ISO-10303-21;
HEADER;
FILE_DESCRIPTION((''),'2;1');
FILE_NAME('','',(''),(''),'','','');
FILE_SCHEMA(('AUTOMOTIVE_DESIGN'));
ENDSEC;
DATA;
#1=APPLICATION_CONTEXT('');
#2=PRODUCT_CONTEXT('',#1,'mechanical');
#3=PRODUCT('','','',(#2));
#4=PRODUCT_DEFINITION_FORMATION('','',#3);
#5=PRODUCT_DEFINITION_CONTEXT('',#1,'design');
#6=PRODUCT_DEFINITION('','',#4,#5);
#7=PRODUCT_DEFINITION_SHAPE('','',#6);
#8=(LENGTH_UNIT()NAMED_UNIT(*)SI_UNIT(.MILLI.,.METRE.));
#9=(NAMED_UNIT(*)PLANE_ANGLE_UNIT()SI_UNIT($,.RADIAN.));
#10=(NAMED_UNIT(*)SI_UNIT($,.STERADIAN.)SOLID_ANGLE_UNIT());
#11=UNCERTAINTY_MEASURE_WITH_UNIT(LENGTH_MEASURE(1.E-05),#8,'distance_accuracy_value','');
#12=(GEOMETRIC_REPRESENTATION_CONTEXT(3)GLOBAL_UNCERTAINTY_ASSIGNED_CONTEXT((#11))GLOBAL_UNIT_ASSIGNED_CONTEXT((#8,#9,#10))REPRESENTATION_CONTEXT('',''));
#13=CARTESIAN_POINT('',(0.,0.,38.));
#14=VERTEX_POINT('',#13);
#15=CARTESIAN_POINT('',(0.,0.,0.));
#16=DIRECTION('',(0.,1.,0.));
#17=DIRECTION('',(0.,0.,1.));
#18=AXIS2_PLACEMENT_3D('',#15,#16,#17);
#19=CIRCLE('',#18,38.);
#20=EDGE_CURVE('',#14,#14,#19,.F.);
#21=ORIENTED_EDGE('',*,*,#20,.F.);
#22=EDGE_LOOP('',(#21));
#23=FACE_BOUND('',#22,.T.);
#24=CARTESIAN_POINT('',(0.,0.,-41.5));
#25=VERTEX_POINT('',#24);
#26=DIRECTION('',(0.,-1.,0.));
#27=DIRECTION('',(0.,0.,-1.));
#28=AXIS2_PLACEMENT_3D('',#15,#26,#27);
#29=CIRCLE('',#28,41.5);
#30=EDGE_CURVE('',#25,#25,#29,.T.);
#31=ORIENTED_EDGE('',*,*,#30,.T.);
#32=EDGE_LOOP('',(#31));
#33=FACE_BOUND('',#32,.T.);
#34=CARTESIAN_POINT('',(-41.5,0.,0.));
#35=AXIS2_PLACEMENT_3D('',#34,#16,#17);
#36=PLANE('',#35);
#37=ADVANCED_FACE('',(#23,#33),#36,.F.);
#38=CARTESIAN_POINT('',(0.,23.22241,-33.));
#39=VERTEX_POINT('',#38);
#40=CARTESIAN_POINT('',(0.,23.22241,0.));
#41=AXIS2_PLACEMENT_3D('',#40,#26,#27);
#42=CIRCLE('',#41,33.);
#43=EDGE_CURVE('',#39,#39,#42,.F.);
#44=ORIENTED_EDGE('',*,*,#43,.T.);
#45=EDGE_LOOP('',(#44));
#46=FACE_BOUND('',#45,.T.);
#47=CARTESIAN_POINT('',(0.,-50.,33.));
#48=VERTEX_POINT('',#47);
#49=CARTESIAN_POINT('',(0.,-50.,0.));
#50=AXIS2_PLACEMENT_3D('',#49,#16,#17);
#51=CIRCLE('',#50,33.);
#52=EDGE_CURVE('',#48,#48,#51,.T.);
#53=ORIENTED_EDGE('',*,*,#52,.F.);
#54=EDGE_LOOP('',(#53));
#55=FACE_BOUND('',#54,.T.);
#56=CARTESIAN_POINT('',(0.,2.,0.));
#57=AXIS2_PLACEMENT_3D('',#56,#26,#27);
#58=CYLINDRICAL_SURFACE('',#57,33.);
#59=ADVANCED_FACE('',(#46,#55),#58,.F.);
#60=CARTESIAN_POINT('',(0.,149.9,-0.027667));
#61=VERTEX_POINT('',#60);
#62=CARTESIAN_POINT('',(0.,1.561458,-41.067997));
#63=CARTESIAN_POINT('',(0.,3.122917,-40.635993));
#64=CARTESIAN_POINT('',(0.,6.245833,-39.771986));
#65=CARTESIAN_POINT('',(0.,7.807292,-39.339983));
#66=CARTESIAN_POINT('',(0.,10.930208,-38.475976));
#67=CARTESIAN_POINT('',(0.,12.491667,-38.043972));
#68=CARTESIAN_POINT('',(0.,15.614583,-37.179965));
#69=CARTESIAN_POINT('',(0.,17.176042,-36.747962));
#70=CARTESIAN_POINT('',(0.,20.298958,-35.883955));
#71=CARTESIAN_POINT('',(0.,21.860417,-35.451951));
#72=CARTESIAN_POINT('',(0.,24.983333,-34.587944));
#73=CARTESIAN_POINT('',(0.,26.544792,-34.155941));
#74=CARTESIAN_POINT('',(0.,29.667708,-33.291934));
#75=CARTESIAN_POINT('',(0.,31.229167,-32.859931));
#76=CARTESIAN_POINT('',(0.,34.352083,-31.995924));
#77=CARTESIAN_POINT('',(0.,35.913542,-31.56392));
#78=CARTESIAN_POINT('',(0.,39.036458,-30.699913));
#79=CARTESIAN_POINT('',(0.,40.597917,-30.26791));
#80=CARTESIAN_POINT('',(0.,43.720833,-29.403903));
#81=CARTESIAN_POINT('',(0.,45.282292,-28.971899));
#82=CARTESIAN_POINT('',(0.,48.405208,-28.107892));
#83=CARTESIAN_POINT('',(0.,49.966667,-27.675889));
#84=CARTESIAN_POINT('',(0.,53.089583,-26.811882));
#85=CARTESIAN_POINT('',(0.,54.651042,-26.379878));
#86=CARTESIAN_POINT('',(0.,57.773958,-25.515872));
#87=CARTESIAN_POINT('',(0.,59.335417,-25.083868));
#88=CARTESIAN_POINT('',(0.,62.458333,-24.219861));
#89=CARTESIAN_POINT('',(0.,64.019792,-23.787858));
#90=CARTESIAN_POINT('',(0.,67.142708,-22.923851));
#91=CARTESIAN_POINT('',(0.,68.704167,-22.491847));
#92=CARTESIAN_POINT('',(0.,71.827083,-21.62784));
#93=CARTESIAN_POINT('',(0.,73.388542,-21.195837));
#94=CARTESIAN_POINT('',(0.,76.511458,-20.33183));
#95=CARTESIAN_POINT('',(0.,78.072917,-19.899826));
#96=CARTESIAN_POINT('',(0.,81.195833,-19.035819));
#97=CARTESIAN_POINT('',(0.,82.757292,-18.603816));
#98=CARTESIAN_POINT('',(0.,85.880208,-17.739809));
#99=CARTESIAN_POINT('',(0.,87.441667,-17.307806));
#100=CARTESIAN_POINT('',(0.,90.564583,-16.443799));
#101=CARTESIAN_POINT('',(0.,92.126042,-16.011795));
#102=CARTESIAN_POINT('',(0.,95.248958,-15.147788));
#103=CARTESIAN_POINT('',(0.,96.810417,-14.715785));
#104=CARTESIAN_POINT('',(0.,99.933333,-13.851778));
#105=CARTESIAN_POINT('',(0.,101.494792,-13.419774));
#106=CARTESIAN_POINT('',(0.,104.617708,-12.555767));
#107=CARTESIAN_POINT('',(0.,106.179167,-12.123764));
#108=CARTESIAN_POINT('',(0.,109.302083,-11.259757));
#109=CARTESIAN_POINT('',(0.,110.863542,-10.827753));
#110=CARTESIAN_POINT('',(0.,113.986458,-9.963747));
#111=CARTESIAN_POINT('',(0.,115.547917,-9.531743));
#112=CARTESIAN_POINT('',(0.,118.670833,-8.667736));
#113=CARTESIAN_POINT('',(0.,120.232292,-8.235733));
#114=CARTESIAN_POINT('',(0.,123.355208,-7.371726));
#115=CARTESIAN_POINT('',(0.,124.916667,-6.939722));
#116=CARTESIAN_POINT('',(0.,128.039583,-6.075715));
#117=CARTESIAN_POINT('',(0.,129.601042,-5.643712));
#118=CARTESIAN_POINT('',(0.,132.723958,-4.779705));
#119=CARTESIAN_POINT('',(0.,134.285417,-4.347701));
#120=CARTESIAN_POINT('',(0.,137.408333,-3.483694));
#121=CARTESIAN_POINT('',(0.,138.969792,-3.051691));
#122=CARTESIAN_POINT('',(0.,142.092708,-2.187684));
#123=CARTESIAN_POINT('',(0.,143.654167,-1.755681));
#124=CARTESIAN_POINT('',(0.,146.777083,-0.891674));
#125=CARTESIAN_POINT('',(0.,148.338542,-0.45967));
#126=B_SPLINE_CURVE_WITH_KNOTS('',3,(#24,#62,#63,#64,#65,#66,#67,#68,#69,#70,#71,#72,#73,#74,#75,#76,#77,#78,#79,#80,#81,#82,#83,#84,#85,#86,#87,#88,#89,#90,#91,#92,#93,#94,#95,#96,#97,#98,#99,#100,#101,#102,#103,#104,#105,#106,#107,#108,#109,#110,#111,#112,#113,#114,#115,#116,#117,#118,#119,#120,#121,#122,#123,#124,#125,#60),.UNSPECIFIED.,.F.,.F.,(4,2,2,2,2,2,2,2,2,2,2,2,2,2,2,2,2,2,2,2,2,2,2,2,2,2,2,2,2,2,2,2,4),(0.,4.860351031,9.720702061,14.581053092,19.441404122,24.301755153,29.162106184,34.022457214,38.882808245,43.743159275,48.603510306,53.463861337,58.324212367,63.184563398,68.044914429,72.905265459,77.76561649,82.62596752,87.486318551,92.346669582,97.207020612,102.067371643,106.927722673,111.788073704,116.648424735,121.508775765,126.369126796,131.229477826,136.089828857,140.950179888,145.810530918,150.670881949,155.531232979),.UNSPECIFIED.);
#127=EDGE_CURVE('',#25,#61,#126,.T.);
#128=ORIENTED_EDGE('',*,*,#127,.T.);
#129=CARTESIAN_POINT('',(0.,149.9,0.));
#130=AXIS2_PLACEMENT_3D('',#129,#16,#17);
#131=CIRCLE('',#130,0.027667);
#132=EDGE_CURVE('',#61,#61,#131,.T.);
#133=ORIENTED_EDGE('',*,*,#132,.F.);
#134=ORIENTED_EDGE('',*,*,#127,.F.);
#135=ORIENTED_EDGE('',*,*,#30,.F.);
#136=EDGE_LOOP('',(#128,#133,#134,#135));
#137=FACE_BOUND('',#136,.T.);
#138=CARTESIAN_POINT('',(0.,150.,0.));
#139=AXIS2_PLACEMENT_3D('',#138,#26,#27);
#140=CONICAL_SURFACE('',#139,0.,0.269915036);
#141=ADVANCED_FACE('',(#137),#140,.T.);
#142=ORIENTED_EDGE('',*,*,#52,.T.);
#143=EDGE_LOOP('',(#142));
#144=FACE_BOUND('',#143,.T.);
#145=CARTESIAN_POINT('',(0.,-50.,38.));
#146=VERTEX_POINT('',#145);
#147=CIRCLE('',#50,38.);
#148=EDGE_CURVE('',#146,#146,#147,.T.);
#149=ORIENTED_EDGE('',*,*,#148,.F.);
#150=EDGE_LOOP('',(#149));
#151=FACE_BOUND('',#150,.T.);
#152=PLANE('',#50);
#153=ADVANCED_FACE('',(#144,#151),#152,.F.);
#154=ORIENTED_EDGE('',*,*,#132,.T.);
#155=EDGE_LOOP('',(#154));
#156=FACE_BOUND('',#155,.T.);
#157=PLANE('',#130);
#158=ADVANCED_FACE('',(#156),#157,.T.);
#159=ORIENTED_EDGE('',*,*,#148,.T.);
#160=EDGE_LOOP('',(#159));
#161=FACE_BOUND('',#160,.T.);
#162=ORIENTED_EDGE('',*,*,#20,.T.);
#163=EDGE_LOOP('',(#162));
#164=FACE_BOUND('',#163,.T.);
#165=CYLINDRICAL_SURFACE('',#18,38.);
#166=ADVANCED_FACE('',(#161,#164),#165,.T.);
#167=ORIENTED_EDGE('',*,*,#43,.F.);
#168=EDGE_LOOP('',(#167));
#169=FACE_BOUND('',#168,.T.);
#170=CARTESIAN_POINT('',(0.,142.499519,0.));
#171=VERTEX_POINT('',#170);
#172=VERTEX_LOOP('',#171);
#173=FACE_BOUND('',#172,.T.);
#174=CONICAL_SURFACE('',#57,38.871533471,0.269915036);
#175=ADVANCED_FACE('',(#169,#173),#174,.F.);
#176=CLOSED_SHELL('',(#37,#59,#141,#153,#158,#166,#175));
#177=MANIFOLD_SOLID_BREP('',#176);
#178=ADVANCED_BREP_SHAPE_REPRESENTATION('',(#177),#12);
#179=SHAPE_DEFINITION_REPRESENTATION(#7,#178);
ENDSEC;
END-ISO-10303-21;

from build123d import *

# Parameters (mm, degrees)
SKETCH4_W          = 50.332275622
SKETCH4_H          = 47.611612075
CUT_EXTRUDE1_DEPTH = 10


with BuildPart() as part:
    # Sketch1 → Revolve3 (revolve)
    with BuildSketch(Plane.XY, mode=Mode.PRIVATE) as revolve3_sk:
        Polygon((0, 150), (-41.5, 0), (-33, 0), (-33, 2), (-38.871533471, 2), (0, 142.499518572), align=None)
    revolve(revolve3_sk.sketch.rotate(Axis((0, 2, 0), (0, 1, 0)), 270), axis=Axis((0, 2, 0), (0, 1, 0)))

    # Sketch2 → Revolve6 (revolve)
    with BuildSketch(Plane.XY, mode=Mode.PRIVATE) as revolve6_sk:
        Polygon((33, 30.722891566), (33, -50), (38, -50), (38, 0), (41.5, 0), align=None)
    revolve(revolve6_sk.sketch.rotate(Axis((0, 0, 0), (0, -1, 0)), 270), axis=Axis((0, 0, 0), (0, -1, 0)))

    # Sketch4 → Cut-Extrude1 (cut)
    with BuildSketch(Plane(origin=(0, 149.9, 0), x_dir=(1, 0, 0), z_dir=(0, 1, 0))):
        with Locations((0.291499666, 1.846164549)):
            Rectangle(SKETCH4_W, SKETCH4_H)
    extrude(amount=CUT_EXTRUDE1_DEPTH, mode=Mode.SUBTRACT)


solid = part.part
